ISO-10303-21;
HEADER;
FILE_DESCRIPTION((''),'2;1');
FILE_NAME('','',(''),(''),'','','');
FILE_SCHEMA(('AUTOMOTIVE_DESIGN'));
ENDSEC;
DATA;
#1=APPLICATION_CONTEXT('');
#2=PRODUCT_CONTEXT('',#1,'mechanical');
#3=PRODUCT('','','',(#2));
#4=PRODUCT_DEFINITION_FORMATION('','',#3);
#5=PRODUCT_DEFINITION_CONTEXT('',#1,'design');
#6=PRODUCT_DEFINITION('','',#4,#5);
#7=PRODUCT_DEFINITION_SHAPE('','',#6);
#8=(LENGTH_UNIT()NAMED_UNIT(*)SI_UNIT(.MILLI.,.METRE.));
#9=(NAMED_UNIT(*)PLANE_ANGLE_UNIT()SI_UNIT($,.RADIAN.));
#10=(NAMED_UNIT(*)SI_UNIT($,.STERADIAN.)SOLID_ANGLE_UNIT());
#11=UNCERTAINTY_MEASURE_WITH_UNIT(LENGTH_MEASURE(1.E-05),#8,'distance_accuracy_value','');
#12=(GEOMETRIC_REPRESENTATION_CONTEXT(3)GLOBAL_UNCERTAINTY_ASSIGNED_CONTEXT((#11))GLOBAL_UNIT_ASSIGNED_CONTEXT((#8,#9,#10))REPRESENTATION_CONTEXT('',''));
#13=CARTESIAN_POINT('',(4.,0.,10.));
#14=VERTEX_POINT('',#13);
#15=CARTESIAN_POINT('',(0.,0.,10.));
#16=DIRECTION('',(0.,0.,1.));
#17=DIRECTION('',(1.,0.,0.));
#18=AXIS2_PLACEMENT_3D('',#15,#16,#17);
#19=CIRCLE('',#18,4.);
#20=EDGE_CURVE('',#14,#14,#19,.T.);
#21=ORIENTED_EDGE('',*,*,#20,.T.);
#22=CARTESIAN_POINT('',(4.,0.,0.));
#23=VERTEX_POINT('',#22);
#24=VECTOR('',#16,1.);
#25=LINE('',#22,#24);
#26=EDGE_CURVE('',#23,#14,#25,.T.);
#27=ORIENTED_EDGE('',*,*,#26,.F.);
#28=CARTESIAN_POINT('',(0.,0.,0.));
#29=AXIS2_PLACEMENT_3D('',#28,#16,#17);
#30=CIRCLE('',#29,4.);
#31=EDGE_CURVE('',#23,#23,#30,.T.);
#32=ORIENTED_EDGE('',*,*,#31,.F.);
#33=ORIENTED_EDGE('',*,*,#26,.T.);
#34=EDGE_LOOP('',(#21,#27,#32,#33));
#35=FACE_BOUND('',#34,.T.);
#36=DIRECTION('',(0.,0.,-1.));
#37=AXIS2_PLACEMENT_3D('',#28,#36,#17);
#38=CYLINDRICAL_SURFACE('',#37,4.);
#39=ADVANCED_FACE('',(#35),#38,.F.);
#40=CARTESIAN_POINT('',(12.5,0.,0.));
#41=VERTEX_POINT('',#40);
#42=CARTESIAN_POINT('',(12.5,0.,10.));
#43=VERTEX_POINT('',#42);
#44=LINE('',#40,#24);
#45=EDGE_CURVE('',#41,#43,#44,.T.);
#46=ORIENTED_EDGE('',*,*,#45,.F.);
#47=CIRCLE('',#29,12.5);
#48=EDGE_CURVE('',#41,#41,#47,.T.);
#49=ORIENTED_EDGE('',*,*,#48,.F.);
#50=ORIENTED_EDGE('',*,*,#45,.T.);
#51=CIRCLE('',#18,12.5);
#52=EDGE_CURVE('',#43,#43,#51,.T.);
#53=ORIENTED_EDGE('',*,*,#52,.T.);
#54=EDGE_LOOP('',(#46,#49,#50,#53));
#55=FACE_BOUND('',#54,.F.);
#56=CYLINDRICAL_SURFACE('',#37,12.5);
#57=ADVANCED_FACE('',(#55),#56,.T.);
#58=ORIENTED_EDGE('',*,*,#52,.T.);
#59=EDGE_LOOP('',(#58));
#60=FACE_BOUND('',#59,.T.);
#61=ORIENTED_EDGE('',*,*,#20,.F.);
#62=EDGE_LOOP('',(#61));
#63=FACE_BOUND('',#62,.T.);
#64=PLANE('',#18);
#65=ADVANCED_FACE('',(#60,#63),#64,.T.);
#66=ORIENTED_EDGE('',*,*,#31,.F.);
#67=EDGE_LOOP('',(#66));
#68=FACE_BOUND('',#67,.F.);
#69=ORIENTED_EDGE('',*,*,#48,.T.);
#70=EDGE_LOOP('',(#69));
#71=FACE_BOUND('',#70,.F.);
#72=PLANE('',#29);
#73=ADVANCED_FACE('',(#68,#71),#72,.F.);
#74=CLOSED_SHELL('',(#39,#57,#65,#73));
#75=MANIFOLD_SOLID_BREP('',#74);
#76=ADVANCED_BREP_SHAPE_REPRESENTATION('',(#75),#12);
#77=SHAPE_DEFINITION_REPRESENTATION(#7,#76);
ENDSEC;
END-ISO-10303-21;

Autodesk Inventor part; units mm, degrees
ref_plane "YZ Plane" through (0, 0, 0) normal (1, 0, 0) x (0, 1, 0)
ref_plane "XZ Plane" through (0, 0, 0) normal (0, 1, 0) x (-1, 0, 0)
ref_plane "XY Plane" through (0, 0, 0) normal (0, 0, 1) x (1, 0, 0)
sketch "Sketch1" plane through (0, 0, 0) normal (0, 0, 1) x (1, 0, 0)
  circle A0 centre (0, 0) radius 12.5
  circle A1 centre (0, 0) radius 4
  dimension "d0" = 25
  dimension "d1" = 8
extrude "Extrusion1" add sketch "Sketch1" along normal blind 10
properties part number "endPlate"
